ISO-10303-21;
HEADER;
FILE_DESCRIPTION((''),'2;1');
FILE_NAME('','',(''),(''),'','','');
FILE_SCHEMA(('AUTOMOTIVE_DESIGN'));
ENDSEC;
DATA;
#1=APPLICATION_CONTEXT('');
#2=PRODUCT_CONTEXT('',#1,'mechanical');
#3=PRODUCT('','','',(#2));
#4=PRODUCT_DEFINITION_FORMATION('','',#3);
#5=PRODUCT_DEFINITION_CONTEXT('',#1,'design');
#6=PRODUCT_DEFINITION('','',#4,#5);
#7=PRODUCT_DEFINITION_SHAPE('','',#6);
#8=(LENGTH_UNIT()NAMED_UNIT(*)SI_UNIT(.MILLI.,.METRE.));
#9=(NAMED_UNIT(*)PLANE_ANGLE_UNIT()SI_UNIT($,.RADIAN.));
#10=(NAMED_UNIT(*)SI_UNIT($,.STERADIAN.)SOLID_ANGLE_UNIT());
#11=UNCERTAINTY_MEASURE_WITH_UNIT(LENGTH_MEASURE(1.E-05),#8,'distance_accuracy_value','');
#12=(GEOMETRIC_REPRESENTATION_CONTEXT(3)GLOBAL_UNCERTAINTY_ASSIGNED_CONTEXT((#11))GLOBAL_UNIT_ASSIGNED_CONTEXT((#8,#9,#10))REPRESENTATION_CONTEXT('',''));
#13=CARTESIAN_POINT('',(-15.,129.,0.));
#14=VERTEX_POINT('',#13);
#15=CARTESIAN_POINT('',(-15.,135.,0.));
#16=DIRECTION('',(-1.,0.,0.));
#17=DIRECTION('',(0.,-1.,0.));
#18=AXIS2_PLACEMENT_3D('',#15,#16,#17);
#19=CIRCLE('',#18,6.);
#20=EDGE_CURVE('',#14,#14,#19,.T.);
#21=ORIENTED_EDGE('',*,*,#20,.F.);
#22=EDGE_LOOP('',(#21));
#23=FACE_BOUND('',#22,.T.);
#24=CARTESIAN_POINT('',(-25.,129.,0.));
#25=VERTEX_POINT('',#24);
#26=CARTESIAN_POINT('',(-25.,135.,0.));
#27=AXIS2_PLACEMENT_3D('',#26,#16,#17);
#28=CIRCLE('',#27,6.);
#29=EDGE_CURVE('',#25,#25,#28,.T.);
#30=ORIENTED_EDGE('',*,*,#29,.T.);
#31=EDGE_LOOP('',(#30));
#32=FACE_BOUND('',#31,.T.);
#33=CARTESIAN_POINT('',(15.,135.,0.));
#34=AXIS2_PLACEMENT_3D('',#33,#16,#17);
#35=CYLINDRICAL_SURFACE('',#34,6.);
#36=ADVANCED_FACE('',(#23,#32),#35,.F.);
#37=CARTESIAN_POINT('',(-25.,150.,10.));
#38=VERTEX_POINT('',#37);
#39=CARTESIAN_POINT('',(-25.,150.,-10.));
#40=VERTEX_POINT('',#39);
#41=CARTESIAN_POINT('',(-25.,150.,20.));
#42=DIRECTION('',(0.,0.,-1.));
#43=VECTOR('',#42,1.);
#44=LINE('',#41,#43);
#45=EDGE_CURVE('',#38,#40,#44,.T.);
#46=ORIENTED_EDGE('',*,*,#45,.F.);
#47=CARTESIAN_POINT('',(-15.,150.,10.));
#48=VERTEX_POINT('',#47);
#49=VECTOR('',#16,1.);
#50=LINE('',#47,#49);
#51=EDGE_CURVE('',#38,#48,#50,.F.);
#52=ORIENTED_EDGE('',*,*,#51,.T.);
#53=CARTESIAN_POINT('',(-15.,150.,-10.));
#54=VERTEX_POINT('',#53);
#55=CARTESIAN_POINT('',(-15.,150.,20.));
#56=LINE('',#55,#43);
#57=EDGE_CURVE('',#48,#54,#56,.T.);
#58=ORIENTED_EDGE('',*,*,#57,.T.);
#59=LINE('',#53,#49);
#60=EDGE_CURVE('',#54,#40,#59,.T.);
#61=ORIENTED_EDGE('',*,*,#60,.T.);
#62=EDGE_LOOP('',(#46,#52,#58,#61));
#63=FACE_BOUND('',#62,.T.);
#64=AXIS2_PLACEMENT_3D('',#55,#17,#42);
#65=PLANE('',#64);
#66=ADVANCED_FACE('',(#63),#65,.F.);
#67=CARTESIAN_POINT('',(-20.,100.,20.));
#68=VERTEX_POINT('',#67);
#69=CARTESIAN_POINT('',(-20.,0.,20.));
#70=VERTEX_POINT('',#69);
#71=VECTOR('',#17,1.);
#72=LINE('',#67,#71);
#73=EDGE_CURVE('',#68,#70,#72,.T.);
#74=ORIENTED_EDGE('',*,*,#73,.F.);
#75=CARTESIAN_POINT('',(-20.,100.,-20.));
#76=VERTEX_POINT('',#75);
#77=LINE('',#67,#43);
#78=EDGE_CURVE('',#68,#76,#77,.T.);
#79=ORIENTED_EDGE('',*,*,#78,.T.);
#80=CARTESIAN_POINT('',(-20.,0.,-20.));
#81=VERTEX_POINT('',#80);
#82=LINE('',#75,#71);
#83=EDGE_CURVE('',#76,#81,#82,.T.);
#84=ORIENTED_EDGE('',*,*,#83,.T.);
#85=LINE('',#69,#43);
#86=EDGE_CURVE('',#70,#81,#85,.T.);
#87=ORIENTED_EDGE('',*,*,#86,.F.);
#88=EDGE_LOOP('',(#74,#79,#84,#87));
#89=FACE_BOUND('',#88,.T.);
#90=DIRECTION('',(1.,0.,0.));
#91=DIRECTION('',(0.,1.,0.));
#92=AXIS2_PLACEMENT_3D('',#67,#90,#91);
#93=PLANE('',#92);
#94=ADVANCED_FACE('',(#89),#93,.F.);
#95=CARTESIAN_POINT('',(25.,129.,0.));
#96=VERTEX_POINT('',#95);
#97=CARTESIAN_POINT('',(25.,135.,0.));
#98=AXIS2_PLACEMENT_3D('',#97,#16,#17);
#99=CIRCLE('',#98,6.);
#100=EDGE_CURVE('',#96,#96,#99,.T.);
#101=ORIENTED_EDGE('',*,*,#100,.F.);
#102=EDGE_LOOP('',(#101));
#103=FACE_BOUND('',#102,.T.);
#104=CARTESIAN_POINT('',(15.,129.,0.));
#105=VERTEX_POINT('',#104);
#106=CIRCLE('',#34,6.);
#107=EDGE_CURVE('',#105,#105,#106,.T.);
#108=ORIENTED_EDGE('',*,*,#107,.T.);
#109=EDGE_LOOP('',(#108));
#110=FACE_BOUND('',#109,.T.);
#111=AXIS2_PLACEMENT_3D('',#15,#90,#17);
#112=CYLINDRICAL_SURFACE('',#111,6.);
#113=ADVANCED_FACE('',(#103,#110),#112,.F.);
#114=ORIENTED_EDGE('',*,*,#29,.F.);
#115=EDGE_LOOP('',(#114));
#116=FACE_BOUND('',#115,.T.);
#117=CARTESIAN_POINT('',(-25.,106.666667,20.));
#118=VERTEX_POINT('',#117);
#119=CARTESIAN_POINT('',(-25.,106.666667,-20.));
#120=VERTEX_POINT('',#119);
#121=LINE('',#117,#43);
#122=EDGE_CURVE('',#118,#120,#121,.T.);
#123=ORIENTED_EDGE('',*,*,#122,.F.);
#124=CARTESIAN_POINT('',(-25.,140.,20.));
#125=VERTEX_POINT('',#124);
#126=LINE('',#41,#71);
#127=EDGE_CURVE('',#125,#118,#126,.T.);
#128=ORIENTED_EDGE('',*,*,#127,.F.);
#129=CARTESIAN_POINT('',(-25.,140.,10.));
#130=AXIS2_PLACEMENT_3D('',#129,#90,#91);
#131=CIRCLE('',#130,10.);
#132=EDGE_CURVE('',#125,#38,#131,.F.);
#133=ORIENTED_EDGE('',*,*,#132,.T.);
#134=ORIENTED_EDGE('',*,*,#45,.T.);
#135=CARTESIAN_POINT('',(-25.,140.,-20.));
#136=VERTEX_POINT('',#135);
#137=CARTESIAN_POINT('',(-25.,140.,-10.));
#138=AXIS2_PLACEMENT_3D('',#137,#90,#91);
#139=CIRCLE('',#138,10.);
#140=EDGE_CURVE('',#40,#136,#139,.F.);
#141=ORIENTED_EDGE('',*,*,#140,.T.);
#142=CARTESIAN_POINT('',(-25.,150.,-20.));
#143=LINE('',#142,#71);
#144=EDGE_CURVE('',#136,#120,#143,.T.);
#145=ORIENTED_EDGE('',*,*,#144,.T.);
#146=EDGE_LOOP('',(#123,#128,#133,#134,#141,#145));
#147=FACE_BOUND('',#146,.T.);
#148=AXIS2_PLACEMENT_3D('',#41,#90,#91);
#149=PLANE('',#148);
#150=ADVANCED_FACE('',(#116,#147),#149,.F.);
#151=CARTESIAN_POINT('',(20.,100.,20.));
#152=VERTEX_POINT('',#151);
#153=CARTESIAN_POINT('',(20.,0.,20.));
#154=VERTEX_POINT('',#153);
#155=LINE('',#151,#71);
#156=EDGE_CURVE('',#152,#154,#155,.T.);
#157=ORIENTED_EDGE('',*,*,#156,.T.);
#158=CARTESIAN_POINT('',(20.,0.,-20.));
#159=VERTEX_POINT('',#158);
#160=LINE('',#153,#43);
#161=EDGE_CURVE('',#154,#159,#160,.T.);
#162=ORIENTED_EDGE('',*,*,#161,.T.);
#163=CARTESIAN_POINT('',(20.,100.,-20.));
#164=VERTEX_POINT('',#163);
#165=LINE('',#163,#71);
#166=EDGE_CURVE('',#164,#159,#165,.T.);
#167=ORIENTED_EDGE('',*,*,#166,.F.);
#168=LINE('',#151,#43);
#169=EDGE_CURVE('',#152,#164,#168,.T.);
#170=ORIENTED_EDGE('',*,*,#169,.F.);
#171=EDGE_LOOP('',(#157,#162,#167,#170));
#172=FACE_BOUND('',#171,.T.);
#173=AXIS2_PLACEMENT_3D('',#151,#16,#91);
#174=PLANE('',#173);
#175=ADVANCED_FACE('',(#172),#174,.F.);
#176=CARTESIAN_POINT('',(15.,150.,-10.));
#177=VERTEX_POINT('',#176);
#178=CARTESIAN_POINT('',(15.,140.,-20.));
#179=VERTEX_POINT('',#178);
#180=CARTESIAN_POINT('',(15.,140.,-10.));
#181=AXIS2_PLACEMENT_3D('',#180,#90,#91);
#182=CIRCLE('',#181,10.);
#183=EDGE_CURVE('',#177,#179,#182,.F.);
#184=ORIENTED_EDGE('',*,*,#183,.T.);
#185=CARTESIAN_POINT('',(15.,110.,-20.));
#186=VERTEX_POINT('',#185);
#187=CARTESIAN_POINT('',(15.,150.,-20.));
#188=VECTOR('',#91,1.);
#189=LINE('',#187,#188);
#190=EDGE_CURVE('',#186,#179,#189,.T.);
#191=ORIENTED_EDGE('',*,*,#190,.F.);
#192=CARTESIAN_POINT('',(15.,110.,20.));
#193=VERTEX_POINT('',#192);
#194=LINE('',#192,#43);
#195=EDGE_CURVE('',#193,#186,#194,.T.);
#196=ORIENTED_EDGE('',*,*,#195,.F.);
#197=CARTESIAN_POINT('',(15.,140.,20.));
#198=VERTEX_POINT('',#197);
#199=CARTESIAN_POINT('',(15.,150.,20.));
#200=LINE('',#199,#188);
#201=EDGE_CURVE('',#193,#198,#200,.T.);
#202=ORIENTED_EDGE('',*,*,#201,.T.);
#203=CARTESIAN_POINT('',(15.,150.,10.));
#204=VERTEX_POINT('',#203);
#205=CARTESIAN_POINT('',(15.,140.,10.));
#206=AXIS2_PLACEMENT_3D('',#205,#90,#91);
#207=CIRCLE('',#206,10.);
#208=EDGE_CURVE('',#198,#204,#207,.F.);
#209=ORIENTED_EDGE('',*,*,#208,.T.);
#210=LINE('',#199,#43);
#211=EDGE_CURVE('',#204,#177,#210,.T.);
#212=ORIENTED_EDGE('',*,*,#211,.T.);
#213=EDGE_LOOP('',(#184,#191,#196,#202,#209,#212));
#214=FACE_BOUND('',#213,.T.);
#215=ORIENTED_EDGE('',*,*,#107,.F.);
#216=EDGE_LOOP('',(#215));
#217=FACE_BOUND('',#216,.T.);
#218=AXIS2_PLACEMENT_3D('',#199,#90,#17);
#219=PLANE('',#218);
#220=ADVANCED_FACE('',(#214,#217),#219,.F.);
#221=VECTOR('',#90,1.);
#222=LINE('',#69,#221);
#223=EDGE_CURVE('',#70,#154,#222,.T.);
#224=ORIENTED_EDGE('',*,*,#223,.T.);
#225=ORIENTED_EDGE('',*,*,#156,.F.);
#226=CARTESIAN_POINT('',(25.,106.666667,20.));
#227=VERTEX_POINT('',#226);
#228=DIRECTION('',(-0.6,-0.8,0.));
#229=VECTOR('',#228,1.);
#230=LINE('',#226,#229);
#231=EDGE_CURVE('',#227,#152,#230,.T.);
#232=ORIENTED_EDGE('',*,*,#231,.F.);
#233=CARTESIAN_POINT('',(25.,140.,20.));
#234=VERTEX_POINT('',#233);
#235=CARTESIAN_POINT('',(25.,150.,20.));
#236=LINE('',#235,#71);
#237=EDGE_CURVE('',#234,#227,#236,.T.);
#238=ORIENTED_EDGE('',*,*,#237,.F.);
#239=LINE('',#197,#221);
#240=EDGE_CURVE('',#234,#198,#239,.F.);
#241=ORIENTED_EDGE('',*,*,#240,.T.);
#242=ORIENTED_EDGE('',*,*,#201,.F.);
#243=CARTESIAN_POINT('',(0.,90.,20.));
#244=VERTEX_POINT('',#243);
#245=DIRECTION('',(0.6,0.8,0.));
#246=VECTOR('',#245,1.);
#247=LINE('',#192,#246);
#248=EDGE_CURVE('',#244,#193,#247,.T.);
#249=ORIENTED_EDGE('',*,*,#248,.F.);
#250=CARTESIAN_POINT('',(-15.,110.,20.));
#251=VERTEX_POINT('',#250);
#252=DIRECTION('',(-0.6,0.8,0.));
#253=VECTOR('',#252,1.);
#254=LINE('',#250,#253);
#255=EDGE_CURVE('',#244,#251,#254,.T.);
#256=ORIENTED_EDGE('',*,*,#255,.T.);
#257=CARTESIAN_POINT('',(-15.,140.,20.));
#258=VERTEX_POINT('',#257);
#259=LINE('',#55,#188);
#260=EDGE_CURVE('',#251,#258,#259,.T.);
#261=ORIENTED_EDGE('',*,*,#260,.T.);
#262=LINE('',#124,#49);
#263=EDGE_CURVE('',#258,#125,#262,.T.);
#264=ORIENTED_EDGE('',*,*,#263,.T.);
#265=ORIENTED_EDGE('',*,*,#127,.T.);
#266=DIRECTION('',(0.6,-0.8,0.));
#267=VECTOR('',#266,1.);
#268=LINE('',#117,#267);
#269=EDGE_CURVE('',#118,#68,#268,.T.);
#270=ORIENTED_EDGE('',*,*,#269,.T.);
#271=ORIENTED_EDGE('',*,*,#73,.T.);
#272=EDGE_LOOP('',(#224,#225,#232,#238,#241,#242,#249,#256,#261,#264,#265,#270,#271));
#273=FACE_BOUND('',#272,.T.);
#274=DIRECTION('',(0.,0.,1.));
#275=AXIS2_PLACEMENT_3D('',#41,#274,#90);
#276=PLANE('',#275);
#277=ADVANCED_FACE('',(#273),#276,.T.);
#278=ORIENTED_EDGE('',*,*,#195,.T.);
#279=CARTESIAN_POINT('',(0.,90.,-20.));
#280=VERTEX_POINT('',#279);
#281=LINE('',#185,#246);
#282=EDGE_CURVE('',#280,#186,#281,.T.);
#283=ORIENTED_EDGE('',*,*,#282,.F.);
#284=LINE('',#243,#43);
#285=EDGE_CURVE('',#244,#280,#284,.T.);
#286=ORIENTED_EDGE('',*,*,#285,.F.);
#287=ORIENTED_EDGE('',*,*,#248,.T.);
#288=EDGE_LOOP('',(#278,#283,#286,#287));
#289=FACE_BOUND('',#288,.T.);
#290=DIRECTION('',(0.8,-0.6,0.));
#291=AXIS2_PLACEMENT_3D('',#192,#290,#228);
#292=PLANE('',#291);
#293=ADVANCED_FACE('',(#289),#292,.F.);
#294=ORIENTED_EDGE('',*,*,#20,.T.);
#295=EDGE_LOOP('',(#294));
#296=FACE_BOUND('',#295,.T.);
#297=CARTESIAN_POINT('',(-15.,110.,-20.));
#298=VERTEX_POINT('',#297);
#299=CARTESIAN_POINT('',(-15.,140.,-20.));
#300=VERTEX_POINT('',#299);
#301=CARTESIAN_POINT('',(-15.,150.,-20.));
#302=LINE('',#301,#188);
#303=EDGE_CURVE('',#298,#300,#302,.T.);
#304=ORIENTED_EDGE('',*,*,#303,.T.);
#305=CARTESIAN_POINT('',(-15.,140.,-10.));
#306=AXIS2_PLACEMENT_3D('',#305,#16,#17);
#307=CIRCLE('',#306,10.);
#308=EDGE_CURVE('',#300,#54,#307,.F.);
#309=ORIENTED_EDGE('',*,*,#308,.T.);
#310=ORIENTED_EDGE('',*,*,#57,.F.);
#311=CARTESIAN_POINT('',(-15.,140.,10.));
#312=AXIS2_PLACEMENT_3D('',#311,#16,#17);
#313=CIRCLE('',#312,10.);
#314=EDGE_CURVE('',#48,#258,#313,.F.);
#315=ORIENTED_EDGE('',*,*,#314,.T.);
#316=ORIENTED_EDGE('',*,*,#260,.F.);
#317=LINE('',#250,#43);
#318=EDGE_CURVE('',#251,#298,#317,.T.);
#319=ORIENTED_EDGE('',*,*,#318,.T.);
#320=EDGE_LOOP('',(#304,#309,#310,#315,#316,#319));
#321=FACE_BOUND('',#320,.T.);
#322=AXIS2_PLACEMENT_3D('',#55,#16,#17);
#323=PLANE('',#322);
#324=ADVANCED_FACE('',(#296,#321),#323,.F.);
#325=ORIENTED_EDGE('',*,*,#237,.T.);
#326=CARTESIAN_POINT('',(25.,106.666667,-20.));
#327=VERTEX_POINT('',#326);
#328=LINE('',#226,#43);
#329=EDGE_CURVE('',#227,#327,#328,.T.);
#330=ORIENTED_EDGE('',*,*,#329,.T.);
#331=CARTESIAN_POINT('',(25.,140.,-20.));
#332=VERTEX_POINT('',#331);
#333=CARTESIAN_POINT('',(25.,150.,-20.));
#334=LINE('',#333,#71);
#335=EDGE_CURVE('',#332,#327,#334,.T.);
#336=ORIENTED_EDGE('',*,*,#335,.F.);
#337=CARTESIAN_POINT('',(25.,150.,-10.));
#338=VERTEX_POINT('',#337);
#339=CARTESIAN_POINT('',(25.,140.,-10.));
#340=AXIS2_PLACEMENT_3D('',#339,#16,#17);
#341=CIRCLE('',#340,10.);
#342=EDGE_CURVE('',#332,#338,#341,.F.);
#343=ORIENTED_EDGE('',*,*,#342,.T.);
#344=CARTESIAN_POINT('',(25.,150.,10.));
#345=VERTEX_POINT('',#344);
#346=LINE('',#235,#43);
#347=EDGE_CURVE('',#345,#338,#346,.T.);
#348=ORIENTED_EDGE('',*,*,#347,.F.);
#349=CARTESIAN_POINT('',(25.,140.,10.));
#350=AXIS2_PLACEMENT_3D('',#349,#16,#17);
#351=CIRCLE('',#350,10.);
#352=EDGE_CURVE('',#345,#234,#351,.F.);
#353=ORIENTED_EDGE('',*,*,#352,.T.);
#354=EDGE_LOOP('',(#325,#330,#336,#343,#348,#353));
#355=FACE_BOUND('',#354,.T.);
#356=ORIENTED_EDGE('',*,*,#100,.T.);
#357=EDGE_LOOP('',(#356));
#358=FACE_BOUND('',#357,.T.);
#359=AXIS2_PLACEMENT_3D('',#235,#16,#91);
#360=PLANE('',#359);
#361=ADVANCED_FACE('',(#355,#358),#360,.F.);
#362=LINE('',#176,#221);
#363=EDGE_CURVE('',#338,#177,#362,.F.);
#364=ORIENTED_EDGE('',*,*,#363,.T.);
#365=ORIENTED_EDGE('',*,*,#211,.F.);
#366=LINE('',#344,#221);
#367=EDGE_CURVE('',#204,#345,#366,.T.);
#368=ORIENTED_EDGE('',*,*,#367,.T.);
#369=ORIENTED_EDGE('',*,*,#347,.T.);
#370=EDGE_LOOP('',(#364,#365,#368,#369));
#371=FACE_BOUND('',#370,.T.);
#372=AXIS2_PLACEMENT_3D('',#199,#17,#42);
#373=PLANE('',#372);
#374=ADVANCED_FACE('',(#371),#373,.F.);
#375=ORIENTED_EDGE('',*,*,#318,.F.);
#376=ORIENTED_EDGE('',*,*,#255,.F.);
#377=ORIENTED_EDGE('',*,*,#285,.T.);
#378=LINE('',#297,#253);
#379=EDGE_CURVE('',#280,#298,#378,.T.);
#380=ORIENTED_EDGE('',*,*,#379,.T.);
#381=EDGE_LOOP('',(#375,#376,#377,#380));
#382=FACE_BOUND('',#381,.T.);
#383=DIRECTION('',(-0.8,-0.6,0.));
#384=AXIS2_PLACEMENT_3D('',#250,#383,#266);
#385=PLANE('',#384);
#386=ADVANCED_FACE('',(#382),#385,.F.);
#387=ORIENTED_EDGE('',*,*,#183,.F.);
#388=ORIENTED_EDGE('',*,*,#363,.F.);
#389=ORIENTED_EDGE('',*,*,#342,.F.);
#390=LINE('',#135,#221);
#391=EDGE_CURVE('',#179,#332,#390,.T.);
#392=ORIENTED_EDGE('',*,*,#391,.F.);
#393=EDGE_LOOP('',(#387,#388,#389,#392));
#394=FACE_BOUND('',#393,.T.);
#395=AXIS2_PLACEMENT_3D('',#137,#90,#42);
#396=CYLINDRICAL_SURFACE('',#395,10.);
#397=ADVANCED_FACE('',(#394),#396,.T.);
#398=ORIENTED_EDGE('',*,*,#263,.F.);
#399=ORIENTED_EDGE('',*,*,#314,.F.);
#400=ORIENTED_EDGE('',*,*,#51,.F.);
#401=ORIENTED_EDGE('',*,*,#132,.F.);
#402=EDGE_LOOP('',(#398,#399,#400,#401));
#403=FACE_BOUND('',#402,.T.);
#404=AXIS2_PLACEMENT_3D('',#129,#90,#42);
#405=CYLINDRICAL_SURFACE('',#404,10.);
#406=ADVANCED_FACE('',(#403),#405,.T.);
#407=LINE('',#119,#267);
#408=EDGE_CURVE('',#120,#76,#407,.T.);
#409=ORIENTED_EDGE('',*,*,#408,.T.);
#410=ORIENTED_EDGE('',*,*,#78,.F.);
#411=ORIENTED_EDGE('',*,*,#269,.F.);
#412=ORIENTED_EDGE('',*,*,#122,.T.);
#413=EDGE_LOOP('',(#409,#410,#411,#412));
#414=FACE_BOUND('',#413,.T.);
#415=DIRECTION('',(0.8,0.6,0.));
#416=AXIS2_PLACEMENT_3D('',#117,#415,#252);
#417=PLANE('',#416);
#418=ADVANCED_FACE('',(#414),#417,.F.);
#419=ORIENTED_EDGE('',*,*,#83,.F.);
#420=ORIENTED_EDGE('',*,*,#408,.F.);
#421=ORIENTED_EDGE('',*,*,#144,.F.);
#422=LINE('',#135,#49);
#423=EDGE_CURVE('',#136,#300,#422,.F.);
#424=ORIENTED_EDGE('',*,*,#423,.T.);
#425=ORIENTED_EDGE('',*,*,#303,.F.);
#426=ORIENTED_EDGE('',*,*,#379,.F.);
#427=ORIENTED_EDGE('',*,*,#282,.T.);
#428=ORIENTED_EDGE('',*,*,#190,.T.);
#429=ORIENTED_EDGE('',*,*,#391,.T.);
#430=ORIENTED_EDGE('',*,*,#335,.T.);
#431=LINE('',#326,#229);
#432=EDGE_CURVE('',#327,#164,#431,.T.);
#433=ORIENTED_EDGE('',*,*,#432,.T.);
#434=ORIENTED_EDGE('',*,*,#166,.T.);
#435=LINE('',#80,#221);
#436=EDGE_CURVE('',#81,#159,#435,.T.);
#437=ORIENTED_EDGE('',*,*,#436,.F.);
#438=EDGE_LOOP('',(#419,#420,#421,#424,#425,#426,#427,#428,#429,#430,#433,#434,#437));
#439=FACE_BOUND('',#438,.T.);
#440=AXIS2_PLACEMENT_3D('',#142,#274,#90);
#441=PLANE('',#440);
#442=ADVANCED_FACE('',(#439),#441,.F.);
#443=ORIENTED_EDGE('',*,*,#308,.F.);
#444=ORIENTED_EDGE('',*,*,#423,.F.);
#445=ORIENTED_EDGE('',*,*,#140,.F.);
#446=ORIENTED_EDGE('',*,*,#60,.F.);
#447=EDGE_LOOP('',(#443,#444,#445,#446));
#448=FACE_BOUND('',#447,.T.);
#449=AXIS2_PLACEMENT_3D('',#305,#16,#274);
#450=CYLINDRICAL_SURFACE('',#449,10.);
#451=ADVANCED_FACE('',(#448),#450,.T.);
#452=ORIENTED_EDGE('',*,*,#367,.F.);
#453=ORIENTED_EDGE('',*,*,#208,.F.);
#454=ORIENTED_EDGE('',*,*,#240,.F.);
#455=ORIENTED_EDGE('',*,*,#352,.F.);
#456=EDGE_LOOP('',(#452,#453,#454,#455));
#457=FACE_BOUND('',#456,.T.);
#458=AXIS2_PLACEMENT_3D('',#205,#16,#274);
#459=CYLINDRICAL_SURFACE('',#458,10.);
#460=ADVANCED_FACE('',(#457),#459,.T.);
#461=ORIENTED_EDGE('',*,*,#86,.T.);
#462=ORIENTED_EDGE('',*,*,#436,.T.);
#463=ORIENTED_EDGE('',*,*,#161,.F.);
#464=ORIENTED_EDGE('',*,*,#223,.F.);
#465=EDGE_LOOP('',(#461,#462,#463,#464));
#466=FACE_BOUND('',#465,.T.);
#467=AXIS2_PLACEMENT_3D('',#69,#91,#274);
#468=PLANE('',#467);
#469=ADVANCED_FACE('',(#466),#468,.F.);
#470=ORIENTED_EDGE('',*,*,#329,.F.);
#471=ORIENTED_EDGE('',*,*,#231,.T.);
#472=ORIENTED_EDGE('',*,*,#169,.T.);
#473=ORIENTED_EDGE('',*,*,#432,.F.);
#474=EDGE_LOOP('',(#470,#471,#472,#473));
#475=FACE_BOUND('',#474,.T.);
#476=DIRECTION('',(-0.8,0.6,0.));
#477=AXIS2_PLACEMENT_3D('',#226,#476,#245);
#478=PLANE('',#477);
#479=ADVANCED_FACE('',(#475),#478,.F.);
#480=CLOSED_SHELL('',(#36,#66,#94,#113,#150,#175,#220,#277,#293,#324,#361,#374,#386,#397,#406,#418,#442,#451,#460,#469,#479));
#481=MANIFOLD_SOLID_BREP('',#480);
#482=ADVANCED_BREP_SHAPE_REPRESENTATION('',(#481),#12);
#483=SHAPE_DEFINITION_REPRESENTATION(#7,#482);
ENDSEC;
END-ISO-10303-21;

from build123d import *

# Parameters (mm, degrees)
ESTRUSIONE_ESTRUSIONE1_DEPTH = 20
SCHIZZO2_R                   = 6
TAGLIO_ESTRUSIONE1_DEPTH     = 40
RACCORDO1_R                  = 10


with BuildPart() as part:
    # Schizzo1 → Estrusione-Estrusione1 (new, symmetric)
    with BuildSketch(Plane.XY):
        Polygon((-25, 150), (-25, 106.666666667), (-20, 100), (-20, 0), (0, 0), (0, 90), (-15, 110), (-15, 150), align=None)
    extrude(amount=ESTRUSIONE_ESTRUSIONE1_DEPTH, both=True)

    # Schizzo2 → Taglio-Estrusione1 (cut)
    with BuildSketch(Plane.ZY.offset(25)):
        with Locations(Location((0, 135, 0), (0, 0, 270))):
            Circle(SCHIZZO2_R)
    extrude(amount=-TAGLIO_ESTRUSIONE1_DEPTH, mode=Mode.SUBTRACT)

    # Specchia1: part across plane


with BuildPart() as part_1:
    add(part.part)
    add(part.part.mirror(Plane(origin=(0, 0, 20), x_dir=(0, 0, 1), z_dir=(-1, 0, 0))))

    # Raccordo1
    raccordo1_edges = [part_1.edges().sort_by_distance(p)[0] for p in [
        (-20, 150, -20),
        (20, 150, 20),
        (20, 150, -20),
        (-20, 150, 20),
    ]]
    fillet(raccordo1_edges, radius=RACCORDO1_R)


solid = part_1.part
